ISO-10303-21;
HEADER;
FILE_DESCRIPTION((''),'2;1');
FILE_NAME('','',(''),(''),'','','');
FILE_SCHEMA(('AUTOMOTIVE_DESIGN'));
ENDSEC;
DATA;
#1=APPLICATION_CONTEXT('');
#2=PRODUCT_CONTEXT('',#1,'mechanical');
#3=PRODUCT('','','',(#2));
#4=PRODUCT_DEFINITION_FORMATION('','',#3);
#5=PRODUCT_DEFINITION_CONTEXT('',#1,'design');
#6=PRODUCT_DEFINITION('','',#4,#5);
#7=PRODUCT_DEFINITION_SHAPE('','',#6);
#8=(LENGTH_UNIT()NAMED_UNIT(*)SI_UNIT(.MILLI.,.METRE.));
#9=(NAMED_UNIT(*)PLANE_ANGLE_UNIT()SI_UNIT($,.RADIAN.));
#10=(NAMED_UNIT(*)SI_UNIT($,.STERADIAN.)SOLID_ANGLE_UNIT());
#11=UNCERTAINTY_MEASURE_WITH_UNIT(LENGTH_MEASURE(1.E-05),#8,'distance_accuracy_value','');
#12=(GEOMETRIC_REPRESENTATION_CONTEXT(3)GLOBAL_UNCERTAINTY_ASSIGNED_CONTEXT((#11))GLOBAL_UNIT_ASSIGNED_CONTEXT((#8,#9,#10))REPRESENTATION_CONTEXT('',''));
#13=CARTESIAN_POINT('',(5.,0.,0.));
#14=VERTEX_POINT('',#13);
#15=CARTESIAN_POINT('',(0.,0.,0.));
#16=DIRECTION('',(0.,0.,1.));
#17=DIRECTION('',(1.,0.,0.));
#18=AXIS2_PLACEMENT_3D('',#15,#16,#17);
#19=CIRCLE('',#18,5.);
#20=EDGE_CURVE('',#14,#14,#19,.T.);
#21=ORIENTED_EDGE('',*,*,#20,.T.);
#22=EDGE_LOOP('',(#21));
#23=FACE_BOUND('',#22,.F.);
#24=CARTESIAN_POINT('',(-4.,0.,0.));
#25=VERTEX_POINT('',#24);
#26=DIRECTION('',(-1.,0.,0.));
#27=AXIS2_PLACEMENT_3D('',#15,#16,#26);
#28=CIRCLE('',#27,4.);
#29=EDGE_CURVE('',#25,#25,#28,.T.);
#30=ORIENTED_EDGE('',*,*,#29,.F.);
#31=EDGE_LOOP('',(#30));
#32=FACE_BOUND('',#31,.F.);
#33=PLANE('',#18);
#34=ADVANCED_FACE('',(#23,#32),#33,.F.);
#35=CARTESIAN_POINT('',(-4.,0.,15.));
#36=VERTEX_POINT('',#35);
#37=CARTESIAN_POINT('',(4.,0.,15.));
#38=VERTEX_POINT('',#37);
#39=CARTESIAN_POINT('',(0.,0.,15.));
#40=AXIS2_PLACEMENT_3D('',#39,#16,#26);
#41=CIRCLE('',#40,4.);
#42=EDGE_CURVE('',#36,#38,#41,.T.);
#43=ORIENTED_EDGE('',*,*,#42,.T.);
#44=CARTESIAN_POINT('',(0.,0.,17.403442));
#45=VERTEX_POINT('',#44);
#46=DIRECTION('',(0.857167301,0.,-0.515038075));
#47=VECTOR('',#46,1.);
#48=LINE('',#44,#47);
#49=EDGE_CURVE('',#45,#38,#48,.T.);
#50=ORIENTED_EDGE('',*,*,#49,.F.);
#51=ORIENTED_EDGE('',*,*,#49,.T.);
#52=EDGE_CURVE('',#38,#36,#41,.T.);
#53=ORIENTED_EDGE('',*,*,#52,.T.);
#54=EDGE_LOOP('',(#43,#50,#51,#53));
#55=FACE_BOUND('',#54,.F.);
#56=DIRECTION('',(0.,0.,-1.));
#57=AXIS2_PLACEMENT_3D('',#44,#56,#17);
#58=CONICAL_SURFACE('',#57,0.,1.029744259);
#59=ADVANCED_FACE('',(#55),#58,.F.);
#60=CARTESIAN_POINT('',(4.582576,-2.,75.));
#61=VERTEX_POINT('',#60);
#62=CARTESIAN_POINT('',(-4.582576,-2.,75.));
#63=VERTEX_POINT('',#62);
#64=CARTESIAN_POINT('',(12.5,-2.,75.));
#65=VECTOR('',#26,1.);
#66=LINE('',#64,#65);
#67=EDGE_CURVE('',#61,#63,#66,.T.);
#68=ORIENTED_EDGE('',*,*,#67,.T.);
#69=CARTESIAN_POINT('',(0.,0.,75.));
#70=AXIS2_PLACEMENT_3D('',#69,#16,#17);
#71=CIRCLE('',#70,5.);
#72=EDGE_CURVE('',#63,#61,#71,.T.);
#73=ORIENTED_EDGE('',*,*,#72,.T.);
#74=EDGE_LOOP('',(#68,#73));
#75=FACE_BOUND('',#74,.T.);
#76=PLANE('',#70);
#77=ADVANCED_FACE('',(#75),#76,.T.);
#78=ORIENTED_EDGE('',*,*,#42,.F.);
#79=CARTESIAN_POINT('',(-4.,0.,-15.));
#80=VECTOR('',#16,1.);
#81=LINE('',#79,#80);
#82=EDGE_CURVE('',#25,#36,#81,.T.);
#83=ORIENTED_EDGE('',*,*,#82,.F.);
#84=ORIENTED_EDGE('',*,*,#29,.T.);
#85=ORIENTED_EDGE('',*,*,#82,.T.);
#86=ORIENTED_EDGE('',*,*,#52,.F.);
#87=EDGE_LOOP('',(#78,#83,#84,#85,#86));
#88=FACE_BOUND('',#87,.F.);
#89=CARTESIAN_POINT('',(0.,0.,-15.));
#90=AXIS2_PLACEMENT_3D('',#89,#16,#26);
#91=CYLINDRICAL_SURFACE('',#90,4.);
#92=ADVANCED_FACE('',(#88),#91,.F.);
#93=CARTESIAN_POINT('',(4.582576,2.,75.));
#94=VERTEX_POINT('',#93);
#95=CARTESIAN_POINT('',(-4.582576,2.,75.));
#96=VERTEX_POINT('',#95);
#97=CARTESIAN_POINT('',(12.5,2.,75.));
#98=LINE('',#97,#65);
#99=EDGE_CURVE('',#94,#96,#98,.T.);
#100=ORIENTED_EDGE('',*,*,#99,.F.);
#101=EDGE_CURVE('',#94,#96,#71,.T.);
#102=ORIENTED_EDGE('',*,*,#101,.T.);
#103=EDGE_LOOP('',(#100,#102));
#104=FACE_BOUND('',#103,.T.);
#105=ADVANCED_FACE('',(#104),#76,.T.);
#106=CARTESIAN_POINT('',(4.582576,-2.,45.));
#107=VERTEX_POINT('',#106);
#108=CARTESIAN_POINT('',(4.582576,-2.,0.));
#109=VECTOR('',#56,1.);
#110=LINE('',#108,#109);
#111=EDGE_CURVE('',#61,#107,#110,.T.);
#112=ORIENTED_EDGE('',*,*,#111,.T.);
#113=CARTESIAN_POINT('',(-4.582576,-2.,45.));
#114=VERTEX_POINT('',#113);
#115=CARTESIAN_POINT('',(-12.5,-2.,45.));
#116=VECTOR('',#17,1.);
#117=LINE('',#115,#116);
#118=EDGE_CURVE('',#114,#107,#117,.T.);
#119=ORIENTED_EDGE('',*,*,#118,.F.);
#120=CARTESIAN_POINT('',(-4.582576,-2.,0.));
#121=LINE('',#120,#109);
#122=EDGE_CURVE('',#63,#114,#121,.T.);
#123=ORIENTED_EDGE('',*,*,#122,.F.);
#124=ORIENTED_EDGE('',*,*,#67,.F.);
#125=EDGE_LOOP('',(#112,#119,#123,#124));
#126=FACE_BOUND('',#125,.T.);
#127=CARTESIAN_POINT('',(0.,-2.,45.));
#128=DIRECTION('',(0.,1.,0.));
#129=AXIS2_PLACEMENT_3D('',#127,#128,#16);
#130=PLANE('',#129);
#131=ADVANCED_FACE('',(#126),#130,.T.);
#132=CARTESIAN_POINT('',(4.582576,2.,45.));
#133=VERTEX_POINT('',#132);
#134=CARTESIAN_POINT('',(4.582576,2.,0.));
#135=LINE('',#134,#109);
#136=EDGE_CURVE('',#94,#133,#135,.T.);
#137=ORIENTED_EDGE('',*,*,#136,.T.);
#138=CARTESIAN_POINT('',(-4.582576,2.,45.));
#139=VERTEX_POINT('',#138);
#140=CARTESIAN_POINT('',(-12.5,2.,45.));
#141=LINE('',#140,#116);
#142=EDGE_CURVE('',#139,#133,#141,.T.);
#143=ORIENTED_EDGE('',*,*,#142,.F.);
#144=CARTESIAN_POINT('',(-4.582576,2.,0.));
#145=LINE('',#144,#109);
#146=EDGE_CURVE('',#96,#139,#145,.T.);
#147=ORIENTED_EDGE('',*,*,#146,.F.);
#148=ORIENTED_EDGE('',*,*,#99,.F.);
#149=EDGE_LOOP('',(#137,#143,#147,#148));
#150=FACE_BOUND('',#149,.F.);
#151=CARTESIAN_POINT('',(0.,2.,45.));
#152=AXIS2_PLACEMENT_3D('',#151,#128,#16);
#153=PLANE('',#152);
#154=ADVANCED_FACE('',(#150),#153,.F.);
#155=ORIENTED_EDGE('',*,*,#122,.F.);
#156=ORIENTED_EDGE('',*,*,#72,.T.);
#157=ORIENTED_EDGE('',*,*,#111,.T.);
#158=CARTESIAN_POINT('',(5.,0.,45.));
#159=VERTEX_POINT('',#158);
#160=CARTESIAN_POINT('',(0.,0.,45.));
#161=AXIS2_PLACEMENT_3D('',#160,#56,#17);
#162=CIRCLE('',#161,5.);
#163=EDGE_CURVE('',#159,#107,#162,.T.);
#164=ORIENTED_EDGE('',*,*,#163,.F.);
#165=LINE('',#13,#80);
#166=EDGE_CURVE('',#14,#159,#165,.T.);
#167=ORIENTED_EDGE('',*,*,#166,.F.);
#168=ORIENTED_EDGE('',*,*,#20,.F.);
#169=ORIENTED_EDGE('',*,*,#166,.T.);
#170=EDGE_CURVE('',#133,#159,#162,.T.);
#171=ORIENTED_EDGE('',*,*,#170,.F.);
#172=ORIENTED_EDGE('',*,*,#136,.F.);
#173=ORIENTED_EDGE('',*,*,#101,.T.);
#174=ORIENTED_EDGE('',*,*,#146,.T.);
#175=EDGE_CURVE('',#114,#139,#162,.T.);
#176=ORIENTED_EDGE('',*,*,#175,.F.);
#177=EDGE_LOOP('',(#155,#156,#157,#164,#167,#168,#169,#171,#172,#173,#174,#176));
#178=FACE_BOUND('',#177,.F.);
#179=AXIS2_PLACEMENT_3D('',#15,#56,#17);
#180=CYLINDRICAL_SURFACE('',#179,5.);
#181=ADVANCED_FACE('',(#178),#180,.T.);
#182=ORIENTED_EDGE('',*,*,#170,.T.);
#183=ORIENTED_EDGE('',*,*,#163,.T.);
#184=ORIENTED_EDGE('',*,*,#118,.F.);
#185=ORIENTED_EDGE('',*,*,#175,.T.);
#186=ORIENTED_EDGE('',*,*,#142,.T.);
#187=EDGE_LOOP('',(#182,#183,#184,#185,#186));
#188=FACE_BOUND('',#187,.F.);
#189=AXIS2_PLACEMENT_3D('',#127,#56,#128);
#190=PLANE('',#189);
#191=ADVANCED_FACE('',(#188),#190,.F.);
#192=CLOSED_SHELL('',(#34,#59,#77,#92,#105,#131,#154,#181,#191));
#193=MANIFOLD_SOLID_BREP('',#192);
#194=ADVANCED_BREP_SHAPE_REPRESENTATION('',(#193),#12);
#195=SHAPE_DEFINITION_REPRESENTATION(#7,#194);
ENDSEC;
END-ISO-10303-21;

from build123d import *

# Parameters (mm, degrees)
F0_R     = 5
F1_DEPTH = 75
F3_D     = 8
F3_DEPTH = 15
F3_TIP   = 2.4034424761
F4_W     = 2
F4_H     = 30
F5_DEPTH = 12.5


with BuildPart() as f1:
    # F0 (on Top) → F1 (new body)
    with BuildSketch(Plane.XY):
        Circle(F0_R)
    extrude(amount=F1_DEPTH)

    # F3
    with Locations(Plane(origin=(0, 0, 0), x_dir=(1, 0, 0), z_dir=(0, 0, -1))):
        with Locations((0, 0)):
            Hole(F3_D / 2, depth=F3_DEPTH)
            with Locations((0, 0, -(F3_DEPTH + F3_TIP / 2))):  # 118° drill point
                Cone(0, F3_D / 2, F3_TIP, mode=Mode.SUBTRACT)

    # F4 (on Right) → F5 (cut, symmetric)
    with BuildSketch(Plane.YZ):
        with Locations((-1, 60)):
            Rectangle(F4_W, F4_H)
        with Locations((1, 60)):
            Rectangle(F4_W, F4_H)
    extrude(amount=F5_DEPTH, both=True, mode=Mode.SUBTRACT)


solid = f1.part
